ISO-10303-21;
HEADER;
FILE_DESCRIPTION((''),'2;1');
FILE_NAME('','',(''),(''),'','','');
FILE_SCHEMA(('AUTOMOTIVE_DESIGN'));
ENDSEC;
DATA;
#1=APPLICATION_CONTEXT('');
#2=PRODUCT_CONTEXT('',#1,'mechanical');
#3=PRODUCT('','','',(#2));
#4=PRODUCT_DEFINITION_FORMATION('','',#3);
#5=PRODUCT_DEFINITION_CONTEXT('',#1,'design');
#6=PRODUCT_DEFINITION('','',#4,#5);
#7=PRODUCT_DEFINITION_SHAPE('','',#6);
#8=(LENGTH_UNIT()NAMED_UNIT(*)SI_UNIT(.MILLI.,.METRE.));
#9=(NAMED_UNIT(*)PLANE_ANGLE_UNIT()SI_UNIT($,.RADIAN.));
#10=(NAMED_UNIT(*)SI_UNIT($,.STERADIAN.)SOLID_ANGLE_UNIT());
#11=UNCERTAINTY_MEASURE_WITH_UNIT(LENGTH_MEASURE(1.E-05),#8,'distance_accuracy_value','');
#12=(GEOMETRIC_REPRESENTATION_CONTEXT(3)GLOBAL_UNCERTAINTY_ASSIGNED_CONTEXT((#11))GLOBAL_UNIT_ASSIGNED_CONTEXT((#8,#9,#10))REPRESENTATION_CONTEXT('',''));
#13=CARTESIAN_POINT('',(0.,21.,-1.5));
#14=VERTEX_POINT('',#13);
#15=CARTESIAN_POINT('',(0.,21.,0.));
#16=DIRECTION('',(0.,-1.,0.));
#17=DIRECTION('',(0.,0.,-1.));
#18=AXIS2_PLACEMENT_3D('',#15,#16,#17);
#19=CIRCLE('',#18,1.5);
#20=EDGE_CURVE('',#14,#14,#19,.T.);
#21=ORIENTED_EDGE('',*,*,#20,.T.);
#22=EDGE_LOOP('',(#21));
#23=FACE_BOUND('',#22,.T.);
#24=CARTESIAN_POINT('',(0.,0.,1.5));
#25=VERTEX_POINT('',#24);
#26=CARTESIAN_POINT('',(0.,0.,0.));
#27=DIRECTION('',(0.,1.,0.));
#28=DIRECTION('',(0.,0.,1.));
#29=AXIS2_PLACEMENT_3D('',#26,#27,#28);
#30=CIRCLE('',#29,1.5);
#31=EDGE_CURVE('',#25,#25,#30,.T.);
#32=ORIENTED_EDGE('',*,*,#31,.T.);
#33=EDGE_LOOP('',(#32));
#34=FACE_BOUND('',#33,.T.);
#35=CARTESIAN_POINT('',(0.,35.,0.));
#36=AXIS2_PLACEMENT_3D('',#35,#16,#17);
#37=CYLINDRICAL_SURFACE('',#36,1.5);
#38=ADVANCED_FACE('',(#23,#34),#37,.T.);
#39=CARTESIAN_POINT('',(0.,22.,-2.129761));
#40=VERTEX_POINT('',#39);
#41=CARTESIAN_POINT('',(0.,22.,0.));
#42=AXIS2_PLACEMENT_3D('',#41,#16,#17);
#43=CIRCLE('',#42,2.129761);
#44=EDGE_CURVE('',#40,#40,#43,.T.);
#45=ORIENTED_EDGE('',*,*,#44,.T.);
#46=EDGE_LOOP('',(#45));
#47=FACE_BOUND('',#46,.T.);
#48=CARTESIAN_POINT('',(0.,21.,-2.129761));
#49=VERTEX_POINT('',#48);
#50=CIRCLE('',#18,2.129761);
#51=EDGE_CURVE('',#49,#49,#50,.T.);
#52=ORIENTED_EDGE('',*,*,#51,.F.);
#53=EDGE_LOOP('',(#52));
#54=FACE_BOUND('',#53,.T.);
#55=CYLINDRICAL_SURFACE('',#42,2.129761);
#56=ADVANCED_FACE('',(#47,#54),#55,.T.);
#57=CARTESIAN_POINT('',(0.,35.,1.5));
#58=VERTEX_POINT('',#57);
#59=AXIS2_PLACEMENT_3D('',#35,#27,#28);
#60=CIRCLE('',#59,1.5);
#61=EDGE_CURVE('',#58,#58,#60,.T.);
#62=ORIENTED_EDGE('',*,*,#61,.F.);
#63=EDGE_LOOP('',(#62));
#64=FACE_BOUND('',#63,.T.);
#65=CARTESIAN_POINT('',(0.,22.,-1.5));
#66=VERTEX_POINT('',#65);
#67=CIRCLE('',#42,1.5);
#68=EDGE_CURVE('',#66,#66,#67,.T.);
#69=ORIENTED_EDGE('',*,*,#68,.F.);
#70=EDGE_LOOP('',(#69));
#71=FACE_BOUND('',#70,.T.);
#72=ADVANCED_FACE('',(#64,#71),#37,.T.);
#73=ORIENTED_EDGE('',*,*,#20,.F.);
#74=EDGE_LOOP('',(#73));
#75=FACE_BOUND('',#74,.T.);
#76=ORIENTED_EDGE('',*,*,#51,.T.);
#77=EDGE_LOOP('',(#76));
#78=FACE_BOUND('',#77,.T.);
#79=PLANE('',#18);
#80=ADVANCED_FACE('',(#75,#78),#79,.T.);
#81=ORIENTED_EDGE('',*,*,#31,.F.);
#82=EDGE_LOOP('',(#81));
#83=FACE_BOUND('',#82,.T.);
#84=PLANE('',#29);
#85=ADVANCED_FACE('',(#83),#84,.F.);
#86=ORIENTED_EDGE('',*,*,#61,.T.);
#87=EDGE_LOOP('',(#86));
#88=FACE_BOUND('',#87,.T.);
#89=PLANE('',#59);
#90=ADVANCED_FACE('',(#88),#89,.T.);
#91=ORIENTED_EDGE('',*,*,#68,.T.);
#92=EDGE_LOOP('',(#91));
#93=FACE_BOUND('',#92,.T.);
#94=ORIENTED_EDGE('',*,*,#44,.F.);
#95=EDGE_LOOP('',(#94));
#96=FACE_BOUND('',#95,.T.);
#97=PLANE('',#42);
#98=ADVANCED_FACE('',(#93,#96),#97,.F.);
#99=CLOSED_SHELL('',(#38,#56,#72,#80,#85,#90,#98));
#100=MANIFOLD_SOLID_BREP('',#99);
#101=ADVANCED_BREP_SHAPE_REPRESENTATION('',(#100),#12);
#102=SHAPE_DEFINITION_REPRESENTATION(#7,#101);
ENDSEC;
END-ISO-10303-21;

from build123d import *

# Parameters (mm, degrees)
SKETCH1_R           = 1.5
BOSS_EXTRUDE1_DEPTH = 35
SKETCH4_R           = 2.129761361
BOSS_EXTRUDE2_DEPTH = 1


with BuildPart() as part:
    # Sketch1 → Boss-Extrude1 (new body)
    with BuildSketch(Plane(origin=(0, 0, 0), x_dir=(1, 0, 0), z_dir=(0, 1, 0))):
        Circle(SKETCH1_R)
    extrude(amount=BOSS_EXTRUDE1_DEPTH)

    # Sketch4 → Boss-Extrude2 (add)
    with BuildSketch(Plane(origin=(0, 21, 0), x_dir=(-1, 0, 0), z_dir=(0, -1, 0))):
        Circle(SKETCH4_R)
    extrude(amount=-BOSS_EXTRUDE2_DEPTH)


solid = part.part
